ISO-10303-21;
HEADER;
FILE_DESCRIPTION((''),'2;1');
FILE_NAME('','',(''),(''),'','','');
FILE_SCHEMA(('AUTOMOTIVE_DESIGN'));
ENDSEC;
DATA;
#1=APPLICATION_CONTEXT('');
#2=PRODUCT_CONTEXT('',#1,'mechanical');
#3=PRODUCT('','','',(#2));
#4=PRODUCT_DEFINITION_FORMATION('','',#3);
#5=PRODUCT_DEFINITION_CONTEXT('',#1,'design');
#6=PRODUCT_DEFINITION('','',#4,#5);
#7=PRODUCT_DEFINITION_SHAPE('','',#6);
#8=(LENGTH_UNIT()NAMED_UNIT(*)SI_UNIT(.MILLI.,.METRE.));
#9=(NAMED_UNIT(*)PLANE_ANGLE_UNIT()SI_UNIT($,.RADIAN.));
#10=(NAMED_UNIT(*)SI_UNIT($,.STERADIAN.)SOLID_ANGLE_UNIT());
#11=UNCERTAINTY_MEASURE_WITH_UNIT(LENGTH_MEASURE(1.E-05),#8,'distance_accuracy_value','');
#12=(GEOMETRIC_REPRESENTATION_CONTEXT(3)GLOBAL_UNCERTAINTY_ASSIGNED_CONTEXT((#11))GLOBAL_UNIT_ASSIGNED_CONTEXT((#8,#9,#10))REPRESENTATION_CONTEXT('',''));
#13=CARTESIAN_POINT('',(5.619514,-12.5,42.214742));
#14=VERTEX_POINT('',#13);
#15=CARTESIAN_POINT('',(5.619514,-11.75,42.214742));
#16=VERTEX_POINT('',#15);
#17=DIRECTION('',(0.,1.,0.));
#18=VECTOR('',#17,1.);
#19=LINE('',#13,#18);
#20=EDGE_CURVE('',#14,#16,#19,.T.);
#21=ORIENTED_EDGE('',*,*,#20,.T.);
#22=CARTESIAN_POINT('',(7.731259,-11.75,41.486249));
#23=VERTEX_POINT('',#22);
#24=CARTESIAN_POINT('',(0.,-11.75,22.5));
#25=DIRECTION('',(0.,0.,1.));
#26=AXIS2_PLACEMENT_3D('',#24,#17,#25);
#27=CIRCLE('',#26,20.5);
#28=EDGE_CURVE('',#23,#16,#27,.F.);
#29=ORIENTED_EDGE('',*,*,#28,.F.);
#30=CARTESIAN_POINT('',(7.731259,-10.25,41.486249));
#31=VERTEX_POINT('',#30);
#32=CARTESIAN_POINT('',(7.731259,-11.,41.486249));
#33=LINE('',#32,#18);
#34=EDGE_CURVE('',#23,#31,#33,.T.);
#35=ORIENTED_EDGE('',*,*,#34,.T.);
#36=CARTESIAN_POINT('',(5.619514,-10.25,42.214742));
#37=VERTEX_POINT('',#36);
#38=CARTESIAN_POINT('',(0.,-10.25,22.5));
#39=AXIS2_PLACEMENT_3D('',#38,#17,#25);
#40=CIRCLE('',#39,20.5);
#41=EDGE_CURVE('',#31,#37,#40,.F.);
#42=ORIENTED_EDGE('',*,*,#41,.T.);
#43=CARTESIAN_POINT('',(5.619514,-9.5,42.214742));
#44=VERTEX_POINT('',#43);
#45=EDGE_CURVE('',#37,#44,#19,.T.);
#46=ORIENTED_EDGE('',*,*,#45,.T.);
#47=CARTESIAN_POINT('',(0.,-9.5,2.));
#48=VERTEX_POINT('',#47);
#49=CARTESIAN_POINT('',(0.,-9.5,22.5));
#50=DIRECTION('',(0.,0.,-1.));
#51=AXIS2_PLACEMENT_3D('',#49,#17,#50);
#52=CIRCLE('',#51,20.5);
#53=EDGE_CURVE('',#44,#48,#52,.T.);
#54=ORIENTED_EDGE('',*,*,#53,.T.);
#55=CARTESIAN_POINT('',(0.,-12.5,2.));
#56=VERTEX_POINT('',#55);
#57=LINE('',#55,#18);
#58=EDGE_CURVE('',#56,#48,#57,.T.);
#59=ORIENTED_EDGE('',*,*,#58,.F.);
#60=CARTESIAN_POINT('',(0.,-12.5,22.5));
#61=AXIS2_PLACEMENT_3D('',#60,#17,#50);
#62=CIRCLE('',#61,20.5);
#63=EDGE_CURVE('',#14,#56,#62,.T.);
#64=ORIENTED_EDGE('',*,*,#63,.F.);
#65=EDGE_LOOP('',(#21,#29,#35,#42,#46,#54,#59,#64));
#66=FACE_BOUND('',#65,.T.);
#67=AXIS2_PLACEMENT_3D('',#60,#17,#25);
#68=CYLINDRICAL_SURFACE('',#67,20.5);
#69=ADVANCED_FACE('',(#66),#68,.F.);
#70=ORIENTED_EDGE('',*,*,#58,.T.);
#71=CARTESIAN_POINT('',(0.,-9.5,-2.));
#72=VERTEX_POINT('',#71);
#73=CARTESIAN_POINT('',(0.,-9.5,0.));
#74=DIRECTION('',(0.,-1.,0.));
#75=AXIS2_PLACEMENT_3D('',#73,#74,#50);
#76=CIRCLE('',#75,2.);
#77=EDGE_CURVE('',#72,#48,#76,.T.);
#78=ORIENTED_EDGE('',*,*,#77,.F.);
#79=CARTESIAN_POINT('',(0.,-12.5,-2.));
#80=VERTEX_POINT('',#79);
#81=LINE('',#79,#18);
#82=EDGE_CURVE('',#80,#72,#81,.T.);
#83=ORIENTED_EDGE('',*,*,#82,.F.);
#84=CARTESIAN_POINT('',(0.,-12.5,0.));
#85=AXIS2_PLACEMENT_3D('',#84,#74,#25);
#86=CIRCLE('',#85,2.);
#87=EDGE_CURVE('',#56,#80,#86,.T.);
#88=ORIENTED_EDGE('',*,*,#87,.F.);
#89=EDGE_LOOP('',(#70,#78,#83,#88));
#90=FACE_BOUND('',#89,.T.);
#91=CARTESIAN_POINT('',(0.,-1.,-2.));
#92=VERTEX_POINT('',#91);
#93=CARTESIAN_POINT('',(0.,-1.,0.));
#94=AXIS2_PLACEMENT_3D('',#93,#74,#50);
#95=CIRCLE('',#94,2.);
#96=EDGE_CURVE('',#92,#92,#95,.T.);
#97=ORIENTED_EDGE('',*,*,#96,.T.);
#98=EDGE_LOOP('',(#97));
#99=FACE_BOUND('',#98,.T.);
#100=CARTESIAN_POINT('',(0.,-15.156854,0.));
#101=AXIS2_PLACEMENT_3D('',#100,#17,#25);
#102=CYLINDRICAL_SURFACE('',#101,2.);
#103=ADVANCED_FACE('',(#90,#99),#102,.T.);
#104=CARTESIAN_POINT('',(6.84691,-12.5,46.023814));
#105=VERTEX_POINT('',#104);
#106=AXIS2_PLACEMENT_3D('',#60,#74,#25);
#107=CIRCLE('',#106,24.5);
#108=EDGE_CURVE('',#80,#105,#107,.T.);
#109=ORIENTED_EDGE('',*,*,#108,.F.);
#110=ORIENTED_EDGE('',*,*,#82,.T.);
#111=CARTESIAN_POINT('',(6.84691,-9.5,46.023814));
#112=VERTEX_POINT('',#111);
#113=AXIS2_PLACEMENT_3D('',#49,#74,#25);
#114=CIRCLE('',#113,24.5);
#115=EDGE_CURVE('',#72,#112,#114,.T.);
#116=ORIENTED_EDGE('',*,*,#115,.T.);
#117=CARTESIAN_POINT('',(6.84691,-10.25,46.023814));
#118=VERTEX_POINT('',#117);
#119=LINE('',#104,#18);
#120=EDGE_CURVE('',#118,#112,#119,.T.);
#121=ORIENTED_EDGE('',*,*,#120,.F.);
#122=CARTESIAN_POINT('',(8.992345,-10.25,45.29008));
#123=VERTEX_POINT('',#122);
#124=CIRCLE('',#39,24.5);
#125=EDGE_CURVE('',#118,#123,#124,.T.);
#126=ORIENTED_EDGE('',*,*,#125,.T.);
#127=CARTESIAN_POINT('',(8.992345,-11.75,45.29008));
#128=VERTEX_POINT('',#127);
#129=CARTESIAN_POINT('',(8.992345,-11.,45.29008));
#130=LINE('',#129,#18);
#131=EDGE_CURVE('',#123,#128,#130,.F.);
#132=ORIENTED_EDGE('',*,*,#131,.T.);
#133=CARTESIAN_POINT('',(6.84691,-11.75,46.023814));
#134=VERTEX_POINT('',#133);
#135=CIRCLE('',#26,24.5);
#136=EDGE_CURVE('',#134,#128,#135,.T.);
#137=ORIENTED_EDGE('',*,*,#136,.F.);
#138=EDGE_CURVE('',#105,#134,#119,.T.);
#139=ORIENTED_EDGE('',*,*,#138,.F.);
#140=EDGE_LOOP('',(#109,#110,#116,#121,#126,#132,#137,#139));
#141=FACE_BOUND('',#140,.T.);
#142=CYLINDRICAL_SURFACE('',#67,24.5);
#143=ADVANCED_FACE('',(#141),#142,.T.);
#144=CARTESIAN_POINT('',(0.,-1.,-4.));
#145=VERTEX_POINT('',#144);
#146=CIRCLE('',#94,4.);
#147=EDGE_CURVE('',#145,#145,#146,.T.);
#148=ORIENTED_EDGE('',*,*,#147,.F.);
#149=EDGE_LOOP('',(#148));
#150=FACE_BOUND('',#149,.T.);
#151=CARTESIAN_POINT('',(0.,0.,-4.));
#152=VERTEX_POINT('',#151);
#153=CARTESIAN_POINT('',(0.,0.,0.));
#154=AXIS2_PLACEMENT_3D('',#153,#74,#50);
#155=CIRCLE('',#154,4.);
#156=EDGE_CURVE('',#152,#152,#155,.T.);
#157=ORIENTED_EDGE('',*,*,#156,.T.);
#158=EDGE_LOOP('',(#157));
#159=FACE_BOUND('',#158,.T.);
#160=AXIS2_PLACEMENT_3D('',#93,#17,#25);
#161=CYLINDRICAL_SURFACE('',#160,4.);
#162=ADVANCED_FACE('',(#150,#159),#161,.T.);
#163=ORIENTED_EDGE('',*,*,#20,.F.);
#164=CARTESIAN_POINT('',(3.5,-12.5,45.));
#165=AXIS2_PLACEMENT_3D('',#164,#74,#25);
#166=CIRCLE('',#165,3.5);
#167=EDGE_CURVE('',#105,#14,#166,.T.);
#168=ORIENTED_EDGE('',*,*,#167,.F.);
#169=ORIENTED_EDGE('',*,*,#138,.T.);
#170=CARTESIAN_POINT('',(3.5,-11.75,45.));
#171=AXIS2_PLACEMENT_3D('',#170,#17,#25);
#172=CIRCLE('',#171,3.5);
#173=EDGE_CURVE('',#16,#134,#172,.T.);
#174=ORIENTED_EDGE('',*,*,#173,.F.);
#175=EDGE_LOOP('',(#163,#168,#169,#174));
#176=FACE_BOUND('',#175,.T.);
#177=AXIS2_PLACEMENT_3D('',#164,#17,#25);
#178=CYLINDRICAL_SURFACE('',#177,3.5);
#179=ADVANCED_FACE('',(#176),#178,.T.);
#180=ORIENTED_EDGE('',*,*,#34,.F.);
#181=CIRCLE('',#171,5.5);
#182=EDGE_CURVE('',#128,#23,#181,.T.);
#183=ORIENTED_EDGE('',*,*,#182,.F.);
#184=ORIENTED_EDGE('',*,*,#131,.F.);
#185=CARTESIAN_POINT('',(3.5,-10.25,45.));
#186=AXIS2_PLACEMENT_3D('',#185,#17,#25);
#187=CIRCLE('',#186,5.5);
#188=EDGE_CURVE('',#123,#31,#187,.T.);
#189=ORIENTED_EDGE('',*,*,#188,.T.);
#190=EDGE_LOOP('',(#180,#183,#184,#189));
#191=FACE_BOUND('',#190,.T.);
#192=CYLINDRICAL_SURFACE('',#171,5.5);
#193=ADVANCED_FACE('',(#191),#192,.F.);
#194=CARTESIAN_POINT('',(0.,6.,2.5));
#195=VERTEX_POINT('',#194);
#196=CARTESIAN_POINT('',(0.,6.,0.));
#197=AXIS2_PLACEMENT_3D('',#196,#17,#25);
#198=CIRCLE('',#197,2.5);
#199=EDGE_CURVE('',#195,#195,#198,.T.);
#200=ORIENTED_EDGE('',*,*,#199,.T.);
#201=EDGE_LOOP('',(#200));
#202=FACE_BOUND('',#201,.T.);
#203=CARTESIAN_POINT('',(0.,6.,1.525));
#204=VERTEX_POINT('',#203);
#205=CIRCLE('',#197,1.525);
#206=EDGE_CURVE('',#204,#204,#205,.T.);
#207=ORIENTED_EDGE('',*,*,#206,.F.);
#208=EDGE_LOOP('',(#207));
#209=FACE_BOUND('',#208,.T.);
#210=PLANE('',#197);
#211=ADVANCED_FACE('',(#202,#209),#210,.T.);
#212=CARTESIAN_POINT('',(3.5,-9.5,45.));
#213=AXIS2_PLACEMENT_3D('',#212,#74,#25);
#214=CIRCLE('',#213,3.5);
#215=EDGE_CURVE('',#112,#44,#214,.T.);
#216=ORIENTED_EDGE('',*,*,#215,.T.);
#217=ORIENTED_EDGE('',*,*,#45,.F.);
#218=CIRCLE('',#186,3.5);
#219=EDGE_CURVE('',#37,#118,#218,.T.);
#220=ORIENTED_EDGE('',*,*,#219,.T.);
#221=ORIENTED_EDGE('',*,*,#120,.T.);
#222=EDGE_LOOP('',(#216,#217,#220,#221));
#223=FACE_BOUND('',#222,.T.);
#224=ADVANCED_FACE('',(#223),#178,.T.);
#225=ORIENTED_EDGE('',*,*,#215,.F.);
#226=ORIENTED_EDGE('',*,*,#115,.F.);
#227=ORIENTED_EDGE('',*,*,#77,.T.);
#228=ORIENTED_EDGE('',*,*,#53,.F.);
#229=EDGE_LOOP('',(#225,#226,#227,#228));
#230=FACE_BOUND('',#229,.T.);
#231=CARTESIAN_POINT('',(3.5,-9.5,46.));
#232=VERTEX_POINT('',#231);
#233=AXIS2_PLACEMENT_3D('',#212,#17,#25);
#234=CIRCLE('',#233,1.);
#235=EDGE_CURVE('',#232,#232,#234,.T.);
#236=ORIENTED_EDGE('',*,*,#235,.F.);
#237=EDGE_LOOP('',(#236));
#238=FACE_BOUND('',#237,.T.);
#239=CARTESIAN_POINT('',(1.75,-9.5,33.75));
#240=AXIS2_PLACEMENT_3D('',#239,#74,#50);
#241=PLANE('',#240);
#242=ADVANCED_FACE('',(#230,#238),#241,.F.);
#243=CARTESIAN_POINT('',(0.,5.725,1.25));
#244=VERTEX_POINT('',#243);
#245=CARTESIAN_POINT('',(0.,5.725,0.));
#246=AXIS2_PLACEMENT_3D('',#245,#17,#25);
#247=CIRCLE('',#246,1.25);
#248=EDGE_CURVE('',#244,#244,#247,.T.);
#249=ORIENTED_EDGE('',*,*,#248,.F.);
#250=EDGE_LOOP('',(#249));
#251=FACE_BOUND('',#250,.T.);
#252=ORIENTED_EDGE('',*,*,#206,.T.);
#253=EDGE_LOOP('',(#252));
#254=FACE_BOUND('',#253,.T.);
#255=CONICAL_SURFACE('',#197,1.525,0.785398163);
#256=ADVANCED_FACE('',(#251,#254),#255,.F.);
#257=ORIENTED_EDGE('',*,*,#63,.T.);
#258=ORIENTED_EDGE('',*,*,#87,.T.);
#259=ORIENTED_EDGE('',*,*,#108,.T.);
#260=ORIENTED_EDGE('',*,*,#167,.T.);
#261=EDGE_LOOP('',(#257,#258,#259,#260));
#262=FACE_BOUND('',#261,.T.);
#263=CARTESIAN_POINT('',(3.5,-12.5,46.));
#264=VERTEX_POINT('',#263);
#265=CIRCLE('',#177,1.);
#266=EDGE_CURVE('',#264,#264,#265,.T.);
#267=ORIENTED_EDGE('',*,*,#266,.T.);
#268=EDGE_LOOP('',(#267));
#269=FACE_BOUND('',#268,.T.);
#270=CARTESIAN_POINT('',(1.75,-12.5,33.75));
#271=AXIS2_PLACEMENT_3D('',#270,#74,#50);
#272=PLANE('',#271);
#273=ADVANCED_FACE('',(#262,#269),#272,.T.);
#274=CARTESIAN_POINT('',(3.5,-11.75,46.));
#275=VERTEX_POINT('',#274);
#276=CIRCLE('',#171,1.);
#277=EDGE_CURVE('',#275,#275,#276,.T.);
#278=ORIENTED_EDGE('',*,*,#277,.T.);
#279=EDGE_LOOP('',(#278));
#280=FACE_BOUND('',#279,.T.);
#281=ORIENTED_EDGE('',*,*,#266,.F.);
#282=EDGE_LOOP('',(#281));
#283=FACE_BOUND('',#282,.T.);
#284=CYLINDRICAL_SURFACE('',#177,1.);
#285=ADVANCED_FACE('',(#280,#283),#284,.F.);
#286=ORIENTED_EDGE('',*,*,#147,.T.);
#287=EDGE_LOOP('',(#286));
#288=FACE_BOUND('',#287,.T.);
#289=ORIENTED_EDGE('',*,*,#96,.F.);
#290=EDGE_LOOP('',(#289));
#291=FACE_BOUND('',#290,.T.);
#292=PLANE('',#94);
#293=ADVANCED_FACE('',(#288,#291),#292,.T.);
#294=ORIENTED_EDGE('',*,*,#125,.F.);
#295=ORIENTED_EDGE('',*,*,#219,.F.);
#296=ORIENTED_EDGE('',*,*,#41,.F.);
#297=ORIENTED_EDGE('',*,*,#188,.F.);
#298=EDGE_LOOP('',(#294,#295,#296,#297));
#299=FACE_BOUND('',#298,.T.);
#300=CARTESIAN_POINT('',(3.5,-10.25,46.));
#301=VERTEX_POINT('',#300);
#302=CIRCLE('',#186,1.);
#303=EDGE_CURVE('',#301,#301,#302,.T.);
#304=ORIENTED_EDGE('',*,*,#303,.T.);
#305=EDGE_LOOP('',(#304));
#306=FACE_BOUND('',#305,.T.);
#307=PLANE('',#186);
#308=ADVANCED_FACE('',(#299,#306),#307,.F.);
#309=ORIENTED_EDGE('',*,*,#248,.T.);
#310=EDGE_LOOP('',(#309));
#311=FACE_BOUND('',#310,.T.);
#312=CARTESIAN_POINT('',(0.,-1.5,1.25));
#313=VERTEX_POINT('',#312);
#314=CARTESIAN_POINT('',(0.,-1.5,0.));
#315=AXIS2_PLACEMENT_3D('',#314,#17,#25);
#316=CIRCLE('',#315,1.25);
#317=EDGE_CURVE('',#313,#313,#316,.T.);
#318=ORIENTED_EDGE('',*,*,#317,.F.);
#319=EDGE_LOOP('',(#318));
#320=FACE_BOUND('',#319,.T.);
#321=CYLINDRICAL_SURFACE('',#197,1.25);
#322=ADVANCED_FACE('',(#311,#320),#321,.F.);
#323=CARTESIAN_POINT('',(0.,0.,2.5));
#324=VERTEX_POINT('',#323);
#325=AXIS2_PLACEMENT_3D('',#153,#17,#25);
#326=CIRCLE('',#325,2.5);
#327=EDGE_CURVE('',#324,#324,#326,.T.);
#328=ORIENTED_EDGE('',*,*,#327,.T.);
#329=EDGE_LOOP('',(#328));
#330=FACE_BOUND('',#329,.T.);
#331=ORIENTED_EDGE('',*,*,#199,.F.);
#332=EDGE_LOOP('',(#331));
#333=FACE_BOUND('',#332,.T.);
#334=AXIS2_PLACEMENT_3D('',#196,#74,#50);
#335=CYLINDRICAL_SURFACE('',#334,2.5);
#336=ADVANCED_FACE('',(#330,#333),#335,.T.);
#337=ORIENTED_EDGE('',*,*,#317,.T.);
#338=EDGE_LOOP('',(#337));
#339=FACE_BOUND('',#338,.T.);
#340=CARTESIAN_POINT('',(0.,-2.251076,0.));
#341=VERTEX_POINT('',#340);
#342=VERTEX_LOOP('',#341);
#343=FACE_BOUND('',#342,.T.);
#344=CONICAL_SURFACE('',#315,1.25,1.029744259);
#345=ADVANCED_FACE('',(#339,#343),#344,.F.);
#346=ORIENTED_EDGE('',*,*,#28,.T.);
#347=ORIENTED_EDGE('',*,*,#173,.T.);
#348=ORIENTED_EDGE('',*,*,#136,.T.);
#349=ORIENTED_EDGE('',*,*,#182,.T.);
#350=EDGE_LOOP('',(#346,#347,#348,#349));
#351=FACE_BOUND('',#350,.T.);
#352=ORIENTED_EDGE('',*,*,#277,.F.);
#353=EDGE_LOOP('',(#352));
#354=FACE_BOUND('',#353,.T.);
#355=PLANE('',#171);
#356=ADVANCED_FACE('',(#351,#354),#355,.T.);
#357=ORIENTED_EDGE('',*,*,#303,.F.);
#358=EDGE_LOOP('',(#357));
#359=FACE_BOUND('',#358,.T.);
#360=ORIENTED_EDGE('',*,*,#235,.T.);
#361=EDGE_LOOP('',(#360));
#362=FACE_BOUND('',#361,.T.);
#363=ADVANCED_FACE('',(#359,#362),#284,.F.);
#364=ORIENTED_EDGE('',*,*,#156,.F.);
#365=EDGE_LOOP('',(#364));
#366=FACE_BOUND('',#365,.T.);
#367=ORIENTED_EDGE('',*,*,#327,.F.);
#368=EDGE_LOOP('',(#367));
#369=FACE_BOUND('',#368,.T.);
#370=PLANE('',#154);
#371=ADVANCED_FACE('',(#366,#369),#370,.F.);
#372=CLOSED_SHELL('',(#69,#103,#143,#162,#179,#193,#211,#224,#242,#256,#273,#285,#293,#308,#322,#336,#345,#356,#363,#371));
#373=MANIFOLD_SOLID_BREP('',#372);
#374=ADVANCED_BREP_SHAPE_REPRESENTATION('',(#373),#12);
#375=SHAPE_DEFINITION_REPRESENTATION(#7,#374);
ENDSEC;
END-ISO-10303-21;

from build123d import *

# Parameters (mm, degrees)
SKETCH1_R                   = 2.5
BOSS_EXTRUDE1_DEPTH         = 6
SKETCH2_R                   = 4
BOSS_EXTRUDE2_DEPTH         = 1
BOSS_EXTRUDE3_DEPTH         = 1.5
SKETCH7_R                   = 2
BOSS_EXTRUDE4_DEPTH         = 8.5
SKETCH8_R                   = 5.5
CUT_EXTRUDE1_DEPTH          = 0.75
SKETCH9_R                   = 1
CUT_EXTRUDE2_DEPTH          = 57.504424606
M3_TAPPED_HOLE2_D           = 2.5
M3_TAPPED_HOLE2_DEPTH       = 7.5
M3_TAPPED_HOLE2_CSINK_D     = 3.05
M3_TAPPED_HOLE2_CSINK_ANGLE = 90
M3_TAPPED_HOLE2_TIP         = 0.751075774


with BuildPart() as part:
    # Sketch1 → Boss-Extrude1 (new body)
    with BuildSketch(Plane(origin=(0, 0, 0), x_dir=(1, 0, 0), z_dir=(0, 1, 0))):
        with Locations(Location((0, 0, 0), (0, 0, 270))):
            Circle(SKETCH1_R)
    extrude(amount=BOSS_EXTRUDE1_DEPTH)

    # Sketch2 → Boss-Extrude2 (add)
    with BuildSketch(Plane.XZ):
        with Locations(Location((0, 0, 0), (0, 0, 270))):
            Circle(SKETCH2_R)
    extrude(amount=BOSS_EXTRUDE2_DEPTH)



with BuildPart() as body_2:
    # Sketch6 → Boss-Extrude3 (new, symmetric)
    with BuildSketch(Plane(origin=(0, -11, 0), x_dir=(-1, 0, 0), z_dir=(0, -1, 0))):
        with BuildLine():
            ThreePointArc((-5.619513954, -42.214742274), (-0.168678351, -46.073450543), (-6.84690974, -46.02381404))
            ThreePointArc((-6.84690974, -46.02381404), (-24.254725766, -19.04192568), (0, 2))
            ThreePointArc((0, 2), (2, 0), (0, -2))
            ThreePointArc((0, -2), (-20.302736473, -19.662943128), (-5.619513954, -42.214742274))
        make_face()
    extrude(amount=BOSS_EXTRUDE3_DEPTH, both=True)


with BuildPart() as part_1:
    add(part.part)

    add(body_2.part)  # Boss-Extrude4 merges body 2
    # Sketch7 → Boss-Extrude4 (add)
    with BuildSketch(Plane.XZ.offset(1)):
        with Locations(Location((0, 0, 0), (0, 0, 270))):
            Circle(SKETCH7_R)
    extrude(amount=BOSS_EXTRUDE4_DEPTH)

    # Sketch8 → Cut-Extrude1 (cut, symmetric)
    with BuildSketch(Plane(origin=(0, -11, 0), x_dir=(1, 0, 0), z_dir=(0, 1, 0))):
        with Locations((3.5, -45)):
            Circle(SKETCH8_R)
    extrude(amount=CUT_EXTRUDE1_DEPTH, both=True, mode=Mode.SUBTRACT)

    # Sketch9 → Cut-Extrude2 (cut, through all)
    with BuildSketch(Plane(origin=(0, -9.5, 0), x_dir=(1, 0, 0), z_dir=(0, 1, 0))):
        with Locations(Location((3.5, -45, 0), (0, 0, 270))):
            Circle(SKETCH9_R)
    extrude(amount=-CUT_EXTRUDE2_DEPTH, mode=Mode.SUBTRACT)

    # M3 Tapped Hole2
    with Locations(Plane.ZX.offset(6)):
        with Locations((0, 0)):
            CounterSinkHole(M3_TAPPED_HOLE2_D / 2, M3_TAPPED_HOLE2_CSINK_D / 2, depth=M3_TAPPED_HOLE2_DEPTH, counter_sink_angle=M3_TAPPED_HOLE2_CSINK_ANGLE)
            with Locations((0, 0, -(M3_TAPPED_HOLE2_DEPTH + M3_TAPPED_HOLE2_TIP / 2))):  # 118° drill point
                Cone(0, M3_TAPPED_HOLE2_D / 2, M3_TAPPED_HOLE2_TIP, mode=Mode.SUBTRACT)


solid = part_1.part
